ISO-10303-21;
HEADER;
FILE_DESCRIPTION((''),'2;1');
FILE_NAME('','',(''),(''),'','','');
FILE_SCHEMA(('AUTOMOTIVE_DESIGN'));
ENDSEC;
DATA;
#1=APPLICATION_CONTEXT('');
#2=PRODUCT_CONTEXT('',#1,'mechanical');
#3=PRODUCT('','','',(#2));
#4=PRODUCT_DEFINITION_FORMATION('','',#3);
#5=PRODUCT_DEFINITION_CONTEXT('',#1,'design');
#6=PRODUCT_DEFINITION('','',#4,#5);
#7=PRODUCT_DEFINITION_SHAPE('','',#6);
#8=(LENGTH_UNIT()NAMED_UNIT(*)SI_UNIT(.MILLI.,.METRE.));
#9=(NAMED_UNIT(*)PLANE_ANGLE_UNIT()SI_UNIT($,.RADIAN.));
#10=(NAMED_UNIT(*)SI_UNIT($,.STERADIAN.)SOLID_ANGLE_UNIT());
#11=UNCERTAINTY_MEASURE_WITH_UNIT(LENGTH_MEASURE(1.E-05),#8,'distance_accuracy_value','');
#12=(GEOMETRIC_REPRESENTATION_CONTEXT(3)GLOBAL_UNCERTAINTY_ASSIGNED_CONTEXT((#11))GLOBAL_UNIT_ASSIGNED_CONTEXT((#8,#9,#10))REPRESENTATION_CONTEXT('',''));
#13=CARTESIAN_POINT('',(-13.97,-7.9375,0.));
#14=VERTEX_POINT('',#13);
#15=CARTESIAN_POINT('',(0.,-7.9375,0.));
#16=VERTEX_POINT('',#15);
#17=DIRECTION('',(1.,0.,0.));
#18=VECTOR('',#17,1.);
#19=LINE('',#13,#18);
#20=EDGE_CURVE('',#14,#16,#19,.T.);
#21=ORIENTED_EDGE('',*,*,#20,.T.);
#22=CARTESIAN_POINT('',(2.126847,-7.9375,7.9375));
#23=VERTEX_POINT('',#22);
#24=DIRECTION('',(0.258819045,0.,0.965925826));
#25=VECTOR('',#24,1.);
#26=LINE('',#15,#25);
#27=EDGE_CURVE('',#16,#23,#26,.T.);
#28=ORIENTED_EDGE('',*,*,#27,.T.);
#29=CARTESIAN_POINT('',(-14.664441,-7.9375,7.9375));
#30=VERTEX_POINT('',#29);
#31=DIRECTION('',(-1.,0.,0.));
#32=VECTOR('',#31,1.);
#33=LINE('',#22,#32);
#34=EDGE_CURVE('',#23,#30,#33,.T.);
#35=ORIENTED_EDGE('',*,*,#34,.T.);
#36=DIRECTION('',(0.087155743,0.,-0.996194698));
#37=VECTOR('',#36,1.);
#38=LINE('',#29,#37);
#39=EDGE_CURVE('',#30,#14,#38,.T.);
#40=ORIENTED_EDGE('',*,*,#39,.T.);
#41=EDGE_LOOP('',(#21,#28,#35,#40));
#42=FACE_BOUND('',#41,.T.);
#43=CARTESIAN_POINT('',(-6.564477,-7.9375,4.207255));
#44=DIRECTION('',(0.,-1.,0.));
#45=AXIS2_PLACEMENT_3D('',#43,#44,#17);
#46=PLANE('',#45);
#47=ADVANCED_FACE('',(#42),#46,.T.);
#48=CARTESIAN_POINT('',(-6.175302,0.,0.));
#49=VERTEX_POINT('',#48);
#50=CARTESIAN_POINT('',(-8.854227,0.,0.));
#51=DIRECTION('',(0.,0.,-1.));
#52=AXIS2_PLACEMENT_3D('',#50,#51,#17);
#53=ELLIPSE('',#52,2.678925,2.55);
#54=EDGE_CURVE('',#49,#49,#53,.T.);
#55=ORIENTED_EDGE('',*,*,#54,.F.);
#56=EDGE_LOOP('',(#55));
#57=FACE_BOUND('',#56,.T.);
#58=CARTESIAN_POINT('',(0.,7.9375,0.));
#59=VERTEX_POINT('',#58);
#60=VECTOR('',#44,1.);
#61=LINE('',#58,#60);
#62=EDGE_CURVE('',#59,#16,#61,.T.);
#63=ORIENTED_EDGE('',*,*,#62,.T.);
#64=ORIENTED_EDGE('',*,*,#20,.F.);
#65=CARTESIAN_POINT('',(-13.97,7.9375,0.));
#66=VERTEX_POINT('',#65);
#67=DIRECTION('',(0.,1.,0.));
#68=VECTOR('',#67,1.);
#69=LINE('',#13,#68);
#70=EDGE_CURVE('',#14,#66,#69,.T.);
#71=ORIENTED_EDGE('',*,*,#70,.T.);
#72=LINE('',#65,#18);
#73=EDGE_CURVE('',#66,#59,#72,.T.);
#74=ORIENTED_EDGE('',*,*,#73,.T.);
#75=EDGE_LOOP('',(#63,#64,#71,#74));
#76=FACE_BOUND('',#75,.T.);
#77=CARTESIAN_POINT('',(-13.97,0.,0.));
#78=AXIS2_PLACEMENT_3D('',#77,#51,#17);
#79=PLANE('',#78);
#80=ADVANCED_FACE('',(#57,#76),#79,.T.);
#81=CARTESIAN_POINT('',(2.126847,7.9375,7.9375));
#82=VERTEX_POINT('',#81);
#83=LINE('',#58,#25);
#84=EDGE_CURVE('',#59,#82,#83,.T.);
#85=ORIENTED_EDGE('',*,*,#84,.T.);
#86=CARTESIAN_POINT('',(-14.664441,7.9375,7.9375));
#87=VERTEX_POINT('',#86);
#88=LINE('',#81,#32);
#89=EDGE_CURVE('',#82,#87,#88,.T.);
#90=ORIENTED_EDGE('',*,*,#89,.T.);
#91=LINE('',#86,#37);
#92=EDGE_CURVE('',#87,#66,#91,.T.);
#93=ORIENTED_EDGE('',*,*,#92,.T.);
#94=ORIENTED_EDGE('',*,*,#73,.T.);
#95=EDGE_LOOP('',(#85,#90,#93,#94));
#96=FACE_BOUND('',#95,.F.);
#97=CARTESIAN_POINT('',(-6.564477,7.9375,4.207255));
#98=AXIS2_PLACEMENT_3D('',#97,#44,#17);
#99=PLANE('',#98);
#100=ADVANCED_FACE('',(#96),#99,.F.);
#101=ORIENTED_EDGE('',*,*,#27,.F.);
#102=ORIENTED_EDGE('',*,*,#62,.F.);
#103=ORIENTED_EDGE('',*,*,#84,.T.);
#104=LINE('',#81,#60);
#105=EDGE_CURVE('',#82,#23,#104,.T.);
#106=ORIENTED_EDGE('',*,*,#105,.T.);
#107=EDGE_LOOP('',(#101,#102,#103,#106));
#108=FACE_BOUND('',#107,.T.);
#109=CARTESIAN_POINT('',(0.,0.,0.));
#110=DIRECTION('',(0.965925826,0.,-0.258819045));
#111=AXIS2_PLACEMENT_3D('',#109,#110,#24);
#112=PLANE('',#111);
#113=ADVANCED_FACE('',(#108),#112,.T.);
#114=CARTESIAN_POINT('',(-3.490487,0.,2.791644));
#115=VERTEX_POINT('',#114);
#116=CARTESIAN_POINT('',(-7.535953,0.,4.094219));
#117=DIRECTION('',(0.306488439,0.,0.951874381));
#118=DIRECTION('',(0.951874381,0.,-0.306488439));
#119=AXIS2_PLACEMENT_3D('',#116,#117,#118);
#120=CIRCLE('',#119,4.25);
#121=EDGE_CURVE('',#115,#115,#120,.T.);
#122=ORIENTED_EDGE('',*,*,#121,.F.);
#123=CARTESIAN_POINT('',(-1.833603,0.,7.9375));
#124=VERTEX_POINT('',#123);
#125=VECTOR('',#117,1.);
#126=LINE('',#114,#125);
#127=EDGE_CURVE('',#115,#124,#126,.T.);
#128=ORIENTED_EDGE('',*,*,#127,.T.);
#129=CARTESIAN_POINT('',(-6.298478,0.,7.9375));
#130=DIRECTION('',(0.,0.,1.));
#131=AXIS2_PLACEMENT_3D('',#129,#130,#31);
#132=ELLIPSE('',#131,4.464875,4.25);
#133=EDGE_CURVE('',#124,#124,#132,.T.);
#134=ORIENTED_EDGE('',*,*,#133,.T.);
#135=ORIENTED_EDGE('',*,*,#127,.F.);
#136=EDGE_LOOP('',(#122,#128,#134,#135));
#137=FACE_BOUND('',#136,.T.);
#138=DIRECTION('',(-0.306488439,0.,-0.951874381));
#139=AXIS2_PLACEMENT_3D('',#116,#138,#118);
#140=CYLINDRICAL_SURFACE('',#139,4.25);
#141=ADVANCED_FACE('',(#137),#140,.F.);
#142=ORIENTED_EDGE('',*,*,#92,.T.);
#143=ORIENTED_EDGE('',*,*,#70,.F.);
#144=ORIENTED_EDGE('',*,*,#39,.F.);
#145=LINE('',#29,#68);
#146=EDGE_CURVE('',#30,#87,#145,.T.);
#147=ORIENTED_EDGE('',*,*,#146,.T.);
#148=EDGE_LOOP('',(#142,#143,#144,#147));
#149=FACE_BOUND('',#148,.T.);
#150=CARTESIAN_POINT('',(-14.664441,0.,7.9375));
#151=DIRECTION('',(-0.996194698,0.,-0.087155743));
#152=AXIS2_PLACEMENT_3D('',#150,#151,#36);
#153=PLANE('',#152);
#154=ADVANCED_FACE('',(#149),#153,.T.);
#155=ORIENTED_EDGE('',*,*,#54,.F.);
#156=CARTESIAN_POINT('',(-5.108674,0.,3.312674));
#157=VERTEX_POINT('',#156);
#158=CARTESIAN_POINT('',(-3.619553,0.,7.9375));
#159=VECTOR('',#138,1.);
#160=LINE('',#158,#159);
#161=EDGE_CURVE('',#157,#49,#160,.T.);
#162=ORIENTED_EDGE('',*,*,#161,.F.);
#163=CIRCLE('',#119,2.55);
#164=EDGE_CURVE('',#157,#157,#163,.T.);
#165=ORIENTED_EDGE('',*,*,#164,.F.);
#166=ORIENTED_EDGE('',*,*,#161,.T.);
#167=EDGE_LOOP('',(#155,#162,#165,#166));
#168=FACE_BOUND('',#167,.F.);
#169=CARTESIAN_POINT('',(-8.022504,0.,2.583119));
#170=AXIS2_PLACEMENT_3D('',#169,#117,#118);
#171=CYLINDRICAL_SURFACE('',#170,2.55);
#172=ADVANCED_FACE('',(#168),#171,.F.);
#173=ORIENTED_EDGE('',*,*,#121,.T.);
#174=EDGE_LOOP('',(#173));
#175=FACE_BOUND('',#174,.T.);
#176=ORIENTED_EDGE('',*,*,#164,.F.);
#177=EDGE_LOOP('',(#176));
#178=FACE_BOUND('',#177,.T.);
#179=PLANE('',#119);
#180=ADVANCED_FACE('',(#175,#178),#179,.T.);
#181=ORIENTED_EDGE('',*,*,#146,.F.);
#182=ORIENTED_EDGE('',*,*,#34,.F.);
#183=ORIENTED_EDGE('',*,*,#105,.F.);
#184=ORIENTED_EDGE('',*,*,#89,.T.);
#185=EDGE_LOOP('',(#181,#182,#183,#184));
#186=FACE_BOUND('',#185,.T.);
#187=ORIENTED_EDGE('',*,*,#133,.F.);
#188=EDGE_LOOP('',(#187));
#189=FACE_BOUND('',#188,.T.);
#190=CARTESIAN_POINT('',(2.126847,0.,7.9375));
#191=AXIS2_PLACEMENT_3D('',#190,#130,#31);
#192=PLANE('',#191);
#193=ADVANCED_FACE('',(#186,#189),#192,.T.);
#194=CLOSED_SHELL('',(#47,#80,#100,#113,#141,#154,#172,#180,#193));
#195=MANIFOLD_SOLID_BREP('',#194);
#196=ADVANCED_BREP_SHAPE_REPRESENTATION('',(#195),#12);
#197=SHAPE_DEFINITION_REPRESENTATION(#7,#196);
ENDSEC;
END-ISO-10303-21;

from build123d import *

# Parameters (mm, degrees)
F1_DEPTH      = 7.9375
F1_DEPTH_BACK = 7.9375
F4_R          = 2.55
F5_DEPTH      = 25.4
F5_DEPTH_BACK = 25.4
F6_START      = 1.5875
F4_R_2        = 4.25
F6_DEPTH      = 23.8125


with BuildPart() as f1:
    # F0 (on Front) → F1 (new body, two sides)
    with BuildSketch(Plane.XZ) as f1_sk:
        Polygon((-13.97, 0), (0, 0), (2.1268467149, 7.9375), (-14.6644412667, 7.9375), align=None)
    extrude(amount=F1_DEPTH)
    extrude(f1_sk.sketch, amount=-F1_DEPTH_BACK)

    # F4 (on line) → F5 (cut, two sides)
    with BuildSketch(Plane(origin=(0, 0, 0), x_dir=(0.9518743809, 0, -0.3064884386), z_dir=(0.3064884386, 0, 0.9518743809))) as f5_sk:
        with Locations((-8.4281116724, 0)):
            Circle(F4_R)
    extrude(amount=-F5_DEPTH, mode=Mode.SUBTRACT)
    extrude(f5_sk.sketch, amount=F5_DEPTH_BACK, mode=Mode.SUBTRACT)

    # F4 (on line) → F6 (cut)
    with BuildSketch(Plane(origin=(0, 0, 0), x_dir=(0.9518743809, 0, -0.3064884386), z_dir=(0.3064884386, 0, 0.9518743809)).offset(F6_START)):
        with Locations((-8.4281116724, 0)):
            Circle(F4_R_2)
        with Locations((-8.4281116724, 0)):
            Circle(F4_R, mode=Mode.SUBTRACT)
    extrude(amount=F6_DEPTH, mode=Mode.SUBTRACT)


solid = f1.part
